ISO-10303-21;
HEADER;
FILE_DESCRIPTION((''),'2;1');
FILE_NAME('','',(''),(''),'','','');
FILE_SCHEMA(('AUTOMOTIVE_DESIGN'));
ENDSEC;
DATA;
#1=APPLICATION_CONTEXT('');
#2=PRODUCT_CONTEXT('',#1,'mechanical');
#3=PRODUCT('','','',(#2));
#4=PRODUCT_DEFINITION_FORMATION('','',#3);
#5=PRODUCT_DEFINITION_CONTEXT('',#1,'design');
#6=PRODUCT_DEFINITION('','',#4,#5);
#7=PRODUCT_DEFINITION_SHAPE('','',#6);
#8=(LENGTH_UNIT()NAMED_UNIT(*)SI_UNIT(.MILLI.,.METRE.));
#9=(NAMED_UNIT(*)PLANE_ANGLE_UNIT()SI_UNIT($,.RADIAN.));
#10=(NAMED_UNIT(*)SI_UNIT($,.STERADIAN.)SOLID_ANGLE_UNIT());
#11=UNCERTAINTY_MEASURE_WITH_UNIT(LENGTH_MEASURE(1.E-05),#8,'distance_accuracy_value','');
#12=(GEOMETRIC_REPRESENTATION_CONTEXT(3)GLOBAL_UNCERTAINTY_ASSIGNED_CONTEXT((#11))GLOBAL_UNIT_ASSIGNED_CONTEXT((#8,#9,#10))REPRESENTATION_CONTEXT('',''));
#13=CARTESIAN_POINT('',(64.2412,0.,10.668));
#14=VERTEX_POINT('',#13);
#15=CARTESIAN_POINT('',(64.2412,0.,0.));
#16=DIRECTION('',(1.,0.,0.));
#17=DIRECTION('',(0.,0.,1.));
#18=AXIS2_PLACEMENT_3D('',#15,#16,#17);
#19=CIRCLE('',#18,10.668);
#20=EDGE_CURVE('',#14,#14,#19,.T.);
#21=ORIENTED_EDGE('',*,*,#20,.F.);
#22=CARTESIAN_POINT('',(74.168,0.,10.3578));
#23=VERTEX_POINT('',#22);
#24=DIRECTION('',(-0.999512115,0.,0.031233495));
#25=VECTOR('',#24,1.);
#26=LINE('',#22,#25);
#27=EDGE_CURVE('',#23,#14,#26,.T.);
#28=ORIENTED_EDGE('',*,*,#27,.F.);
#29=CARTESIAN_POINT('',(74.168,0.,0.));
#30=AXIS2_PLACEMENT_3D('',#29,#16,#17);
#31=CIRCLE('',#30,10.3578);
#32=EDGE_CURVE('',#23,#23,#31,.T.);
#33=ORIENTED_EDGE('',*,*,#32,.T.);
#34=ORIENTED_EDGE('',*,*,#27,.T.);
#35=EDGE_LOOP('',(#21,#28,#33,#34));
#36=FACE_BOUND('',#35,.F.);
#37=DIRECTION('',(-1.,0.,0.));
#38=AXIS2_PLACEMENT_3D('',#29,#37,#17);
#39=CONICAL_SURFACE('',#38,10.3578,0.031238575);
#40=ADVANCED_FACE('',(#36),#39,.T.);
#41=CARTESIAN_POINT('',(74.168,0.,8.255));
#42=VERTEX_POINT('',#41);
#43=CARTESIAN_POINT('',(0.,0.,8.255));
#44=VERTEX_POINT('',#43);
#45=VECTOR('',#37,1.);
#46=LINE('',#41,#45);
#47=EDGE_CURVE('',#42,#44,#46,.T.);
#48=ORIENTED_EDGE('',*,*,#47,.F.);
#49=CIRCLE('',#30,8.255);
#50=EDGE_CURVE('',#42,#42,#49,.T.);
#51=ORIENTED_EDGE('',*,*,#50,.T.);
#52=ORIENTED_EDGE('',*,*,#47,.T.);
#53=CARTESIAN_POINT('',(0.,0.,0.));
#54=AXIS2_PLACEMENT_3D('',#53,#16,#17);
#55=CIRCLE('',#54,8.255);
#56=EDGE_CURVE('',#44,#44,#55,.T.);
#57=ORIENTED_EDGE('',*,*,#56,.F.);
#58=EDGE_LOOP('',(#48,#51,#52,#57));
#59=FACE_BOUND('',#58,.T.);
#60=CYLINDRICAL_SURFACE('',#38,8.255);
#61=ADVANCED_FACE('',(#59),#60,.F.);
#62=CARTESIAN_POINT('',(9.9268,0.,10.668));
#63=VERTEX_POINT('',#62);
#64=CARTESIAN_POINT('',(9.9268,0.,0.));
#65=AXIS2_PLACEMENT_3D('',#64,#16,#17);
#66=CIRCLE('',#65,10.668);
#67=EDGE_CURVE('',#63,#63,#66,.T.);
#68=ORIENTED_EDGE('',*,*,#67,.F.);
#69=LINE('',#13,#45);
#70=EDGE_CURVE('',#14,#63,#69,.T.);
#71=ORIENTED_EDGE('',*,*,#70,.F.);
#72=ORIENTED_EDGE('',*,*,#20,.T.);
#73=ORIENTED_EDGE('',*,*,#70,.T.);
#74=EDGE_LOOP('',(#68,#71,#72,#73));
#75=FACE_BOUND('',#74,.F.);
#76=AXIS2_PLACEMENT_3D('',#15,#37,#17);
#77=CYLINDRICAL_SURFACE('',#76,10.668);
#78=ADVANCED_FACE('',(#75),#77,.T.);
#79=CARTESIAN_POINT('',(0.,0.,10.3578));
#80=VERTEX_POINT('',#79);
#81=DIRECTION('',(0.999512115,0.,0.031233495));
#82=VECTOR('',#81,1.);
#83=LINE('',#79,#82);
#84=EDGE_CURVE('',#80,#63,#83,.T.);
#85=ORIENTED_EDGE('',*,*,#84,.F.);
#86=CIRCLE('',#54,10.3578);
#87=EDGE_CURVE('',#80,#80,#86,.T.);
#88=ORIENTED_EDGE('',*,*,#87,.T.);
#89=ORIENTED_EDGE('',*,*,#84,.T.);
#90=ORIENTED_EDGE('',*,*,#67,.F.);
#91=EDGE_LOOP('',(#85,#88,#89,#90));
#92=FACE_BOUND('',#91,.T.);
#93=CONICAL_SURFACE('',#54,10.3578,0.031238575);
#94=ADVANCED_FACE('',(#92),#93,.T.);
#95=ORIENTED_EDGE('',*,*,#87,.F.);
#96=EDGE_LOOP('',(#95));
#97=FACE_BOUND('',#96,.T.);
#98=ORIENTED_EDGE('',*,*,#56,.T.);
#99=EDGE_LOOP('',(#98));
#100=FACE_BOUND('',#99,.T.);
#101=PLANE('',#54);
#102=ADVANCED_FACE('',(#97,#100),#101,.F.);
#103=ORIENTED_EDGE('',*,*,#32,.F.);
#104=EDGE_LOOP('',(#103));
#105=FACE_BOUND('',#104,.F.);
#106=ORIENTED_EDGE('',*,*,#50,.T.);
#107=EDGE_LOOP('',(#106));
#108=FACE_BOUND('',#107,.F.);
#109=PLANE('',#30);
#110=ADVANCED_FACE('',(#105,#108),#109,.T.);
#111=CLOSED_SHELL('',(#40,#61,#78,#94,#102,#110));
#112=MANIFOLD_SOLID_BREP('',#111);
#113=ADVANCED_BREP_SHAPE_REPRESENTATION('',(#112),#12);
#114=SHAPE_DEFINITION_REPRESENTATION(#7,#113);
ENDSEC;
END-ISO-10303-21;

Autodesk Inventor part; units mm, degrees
ref_plane "YZ Plane" through (0, 0, 0) normal (1, 0, 0) x (0, 1, 0)
ref_plane "XZ Plane" through (0, 0, 0) normal (0, 1, 0) x (-1, 0, 0)
ref_plane "XY Plane" through (0, 0, 0) normal (0, 0, 1) x (1, 0, 0)
sketch "Sketch1" plane through (0, 0, 0) normal (0, 1, 0) x (-1, 0, 0)
  line L0 (0, 0) -> (-74.168, 0)
  line L1 (-74.168, 0) -> (-74.168, 8.255) construction
  line L2 (-74.168, 8.255) -> (-74.168, 10.3578)
  line L3 (-74.168, 10.3578) -> (-64.2412, 10.668)
  line L4 (-64.2412, 10.668) -> (-9.9268, 10.668)
  line L5 (-37.084, 0) -> (-37.084, 10.668) construction
  line L6 (-74.168, 8.255) -> (0, 8.255)
  line L7 (0, 0) -> (0, 8.255) construction
  line L8 (0, 8.255) -> (0, 10.3578)
  line L9 (0, 10.3578) -> (-9.9268, 10.668)
  line L10 (-60.612, 10.7814) -> (-60.612, 0) construction
  line L11 (-13.556, 10.7814) -> (-13.556, 0) construction
  line L12 (-64.2412, 10.668) -> (-60.612, 10.7814) construction
  line L13 (-64.2412, 10.668) -> (-64.2412, 0) construction
  line L14 (-9.9268, 10.668) -> (-13.556, 10.7814) construction
  line L15 (-9.9268, 10.668) -> (-9.9268, 0) construction
  dimension "d0" = 21.336
  dimension "d1" = 1.79
  dimension "d2" = 16.51
  dimension "d3" = 74.168
  dimension "d4" = 13.556
  dimension "d5" = 21.5628
revolve "Revolution1" add sketch "Sketch1" angle 360 about axis through (0, 0, 0) along (1, 0, 0)
thread "Thread1" size "1/2" designation "1/2 - 14 NPT" standard "NPT" full length
thread "Thread2" size "1/2" designation "1/2 - 14 NPT" standard "NPT" full length
equation "\"d0\" = OD"
equation "\"d2\" = ID"
equation "\"d3\" = L"
equation "\"d4\" = L2"
equation "\"d5\" = D2"
equation "\"OD\" = 21.336"
equation "\"t\" = 2.413"
equation "\"L\" = PL"
equation "\"L4\" = 19.8501"
equation "\"ID\" = 16.51"
equation "\"PL\" = 74.168"
equation "\"D2\" = 21.56282"
equation "\"L2\" = 13.55598"
equation "\"Size_Designation\" = 1.2345"
equation "\"PLmin\" = 2 * L2"
properties material "Steel, Wrought"
